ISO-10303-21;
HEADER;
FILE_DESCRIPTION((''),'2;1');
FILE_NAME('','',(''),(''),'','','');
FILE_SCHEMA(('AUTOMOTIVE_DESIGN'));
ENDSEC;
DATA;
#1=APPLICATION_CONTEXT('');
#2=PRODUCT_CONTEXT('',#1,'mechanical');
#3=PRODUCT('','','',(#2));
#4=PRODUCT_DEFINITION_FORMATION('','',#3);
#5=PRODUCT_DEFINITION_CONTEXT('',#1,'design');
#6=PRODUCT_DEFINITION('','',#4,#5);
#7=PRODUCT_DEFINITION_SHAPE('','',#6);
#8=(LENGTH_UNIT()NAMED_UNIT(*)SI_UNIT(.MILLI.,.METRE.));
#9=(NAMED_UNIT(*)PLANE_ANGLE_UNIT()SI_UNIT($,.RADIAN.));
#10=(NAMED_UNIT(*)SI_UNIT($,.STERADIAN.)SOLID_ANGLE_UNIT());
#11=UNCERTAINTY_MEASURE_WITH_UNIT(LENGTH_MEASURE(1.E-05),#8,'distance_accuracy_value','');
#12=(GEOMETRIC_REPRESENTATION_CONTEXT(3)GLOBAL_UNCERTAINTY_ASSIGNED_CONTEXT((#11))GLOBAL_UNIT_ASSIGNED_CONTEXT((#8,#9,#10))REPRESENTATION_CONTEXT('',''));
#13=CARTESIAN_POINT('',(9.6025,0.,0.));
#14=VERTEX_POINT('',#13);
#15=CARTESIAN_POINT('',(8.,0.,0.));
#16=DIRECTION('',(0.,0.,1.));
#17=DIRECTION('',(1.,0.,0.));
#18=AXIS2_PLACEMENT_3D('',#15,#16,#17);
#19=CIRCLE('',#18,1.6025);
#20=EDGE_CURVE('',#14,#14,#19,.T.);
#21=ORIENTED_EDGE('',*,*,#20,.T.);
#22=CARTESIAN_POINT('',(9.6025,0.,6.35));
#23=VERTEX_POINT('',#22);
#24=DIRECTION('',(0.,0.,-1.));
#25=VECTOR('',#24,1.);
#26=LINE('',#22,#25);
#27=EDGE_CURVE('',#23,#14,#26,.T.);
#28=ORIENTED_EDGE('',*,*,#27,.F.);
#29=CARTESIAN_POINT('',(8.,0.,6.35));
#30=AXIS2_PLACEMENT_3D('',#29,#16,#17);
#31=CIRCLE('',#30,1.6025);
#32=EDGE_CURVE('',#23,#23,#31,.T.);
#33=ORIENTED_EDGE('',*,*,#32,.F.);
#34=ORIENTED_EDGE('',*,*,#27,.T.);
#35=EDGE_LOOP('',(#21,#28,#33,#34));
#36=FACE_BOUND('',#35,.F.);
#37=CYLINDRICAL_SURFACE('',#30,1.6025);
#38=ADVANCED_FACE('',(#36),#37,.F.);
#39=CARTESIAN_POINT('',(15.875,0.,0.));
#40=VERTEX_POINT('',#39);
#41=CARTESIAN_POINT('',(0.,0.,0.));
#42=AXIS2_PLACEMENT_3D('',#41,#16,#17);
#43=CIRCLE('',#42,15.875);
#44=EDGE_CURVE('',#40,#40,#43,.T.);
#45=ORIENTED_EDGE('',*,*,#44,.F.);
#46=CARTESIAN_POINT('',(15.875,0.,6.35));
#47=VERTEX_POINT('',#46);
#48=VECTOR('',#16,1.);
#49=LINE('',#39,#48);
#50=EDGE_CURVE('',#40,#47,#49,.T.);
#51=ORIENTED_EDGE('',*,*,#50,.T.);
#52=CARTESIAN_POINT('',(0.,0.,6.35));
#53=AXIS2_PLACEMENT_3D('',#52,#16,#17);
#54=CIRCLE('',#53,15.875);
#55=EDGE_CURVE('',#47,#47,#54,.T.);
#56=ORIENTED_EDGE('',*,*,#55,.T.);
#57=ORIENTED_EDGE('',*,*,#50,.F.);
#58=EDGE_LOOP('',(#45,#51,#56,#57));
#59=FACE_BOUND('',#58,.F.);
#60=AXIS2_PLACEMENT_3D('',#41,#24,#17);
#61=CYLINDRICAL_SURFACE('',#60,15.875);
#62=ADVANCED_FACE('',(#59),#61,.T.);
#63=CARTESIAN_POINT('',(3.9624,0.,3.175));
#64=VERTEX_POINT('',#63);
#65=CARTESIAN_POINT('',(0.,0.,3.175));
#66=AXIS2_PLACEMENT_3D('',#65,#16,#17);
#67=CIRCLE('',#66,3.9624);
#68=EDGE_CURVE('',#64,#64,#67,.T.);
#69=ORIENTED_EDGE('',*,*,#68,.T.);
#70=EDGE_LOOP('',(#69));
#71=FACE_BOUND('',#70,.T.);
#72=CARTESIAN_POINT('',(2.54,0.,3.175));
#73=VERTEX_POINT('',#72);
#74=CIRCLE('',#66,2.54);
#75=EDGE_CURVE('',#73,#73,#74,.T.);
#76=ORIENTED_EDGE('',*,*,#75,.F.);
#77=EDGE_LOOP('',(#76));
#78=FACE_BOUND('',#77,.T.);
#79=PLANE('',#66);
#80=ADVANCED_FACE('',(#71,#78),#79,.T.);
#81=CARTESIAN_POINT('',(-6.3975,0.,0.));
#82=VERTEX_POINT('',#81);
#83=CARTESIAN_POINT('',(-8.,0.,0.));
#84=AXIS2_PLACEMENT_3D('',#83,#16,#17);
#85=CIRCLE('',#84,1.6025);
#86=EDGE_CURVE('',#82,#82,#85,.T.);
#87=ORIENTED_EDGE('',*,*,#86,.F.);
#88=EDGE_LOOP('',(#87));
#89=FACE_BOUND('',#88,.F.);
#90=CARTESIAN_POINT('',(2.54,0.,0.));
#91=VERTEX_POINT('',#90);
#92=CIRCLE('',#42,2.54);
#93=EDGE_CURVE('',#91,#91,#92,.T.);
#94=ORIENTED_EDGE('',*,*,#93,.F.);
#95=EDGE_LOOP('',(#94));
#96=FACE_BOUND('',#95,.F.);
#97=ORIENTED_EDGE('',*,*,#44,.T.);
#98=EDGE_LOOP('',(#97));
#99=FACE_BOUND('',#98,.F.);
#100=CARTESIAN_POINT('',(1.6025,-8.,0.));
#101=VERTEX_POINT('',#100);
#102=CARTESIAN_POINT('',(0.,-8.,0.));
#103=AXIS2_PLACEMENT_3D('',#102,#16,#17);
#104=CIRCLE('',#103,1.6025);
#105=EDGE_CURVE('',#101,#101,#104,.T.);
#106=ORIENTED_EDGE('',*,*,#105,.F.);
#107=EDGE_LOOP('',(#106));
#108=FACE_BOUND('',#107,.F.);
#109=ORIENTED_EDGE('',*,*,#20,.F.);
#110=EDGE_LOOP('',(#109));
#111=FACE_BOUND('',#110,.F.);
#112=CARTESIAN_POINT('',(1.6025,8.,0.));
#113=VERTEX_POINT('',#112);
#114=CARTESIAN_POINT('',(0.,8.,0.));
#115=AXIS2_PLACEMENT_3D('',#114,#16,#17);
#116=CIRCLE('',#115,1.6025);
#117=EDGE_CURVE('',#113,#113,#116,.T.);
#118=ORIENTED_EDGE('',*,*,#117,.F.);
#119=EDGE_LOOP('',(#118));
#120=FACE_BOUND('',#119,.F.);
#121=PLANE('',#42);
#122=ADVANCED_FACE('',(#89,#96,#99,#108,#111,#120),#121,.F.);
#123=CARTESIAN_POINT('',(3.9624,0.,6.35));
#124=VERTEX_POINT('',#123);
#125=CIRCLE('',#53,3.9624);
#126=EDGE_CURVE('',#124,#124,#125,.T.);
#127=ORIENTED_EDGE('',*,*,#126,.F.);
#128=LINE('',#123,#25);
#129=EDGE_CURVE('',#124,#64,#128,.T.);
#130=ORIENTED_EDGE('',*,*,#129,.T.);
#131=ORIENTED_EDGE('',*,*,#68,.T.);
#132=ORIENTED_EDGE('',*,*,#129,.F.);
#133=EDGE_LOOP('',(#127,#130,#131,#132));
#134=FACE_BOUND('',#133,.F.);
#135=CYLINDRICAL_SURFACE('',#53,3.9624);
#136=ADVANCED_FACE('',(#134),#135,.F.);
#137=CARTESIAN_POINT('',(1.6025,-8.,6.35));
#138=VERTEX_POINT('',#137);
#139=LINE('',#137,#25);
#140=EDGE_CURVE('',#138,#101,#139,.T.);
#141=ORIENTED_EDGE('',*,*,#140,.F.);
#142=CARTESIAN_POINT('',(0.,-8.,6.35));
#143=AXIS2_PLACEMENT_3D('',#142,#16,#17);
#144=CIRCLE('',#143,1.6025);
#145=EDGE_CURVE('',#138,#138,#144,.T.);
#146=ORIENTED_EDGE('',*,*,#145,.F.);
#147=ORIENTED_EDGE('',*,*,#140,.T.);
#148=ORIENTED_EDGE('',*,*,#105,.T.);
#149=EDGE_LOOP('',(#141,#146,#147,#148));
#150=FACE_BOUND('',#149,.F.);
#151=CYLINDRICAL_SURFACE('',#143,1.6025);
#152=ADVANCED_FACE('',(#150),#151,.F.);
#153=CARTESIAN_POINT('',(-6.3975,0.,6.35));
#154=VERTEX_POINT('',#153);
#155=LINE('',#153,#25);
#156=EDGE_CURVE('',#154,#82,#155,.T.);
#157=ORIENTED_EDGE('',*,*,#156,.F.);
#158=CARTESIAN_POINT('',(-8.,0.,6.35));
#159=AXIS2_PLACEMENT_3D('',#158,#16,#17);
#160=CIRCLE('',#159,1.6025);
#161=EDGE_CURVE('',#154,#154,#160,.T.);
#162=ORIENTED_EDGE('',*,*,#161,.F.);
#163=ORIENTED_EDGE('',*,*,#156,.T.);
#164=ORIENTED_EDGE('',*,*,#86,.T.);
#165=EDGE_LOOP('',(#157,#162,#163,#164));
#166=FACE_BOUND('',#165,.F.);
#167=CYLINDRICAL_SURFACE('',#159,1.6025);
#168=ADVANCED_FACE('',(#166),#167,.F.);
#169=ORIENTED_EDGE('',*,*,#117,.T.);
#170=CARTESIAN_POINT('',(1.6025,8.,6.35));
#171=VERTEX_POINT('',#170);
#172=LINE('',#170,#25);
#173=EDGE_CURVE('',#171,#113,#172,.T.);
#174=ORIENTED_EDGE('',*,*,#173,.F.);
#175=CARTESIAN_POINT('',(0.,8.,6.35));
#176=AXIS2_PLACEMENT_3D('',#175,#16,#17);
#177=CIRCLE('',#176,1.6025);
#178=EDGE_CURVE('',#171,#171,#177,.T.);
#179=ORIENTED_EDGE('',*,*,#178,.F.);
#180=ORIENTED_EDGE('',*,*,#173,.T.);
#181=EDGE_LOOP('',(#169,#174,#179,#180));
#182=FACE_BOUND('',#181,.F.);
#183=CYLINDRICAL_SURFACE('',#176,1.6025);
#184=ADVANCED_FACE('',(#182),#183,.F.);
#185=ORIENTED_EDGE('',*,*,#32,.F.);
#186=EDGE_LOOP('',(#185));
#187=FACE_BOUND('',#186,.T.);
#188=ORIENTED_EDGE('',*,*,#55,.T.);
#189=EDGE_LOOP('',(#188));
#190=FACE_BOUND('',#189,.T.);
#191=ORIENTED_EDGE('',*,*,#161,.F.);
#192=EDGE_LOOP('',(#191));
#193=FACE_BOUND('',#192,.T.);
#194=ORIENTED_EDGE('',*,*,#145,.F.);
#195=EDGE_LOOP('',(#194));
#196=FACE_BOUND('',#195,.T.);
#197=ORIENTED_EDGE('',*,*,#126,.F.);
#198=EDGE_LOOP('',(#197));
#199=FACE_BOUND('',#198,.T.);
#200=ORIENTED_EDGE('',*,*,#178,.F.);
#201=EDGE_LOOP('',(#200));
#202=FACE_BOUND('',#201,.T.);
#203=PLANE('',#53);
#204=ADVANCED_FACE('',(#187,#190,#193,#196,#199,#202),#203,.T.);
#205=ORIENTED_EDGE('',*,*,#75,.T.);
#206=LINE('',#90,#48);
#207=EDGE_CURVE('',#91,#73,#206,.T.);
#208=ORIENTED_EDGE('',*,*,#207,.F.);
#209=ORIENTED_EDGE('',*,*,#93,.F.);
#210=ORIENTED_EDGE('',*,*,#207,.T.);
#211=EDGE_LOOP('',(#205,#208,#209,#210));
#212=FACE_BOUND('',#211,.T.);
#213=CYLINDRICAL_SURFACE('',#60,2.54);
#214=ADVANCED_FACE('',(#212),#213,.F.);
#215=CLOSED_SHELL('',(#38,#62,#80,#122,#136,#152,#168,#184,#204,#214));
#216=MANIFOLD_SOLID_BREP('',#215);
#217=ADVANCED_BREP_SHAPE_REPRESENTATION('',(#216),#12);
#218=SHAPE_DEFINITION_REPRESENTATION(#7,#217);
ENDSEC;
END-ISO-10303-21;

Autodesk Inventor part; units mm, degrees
ref_plane "YZ Plane" through (0, 0, 0) normal (1, 0, 0) x (0, 1, 0)
ref_plane "XZ Plane" through (0, 0, 0) normal (0, 1, 0) x (-1, 0, 0)
ref_plane "XY Plane" through (0, 0, 0) normal (0, 0, 1) x (1, 0, 0)
sketch "Sketch1" plane through (0, 0, 0) normal (0, 0, 1) x (1, 0, 0)
  circle A0 centre (0, 0) radius 2.54
  circle A1 centre (0, 0) radius 15.875
  dimension "d0" = 5.08
  dimension "d1" = 31.75
extrude "Extrusion1" add sketch "Sketch1" along normal blind 6.35
sketch "Sketch2" plane through (0, 0, 6.35) normal (0, 0, 1) x (1, 0, 0)
  circle A0 centre (0, 0) radius 11
  circle A1 centre (0, 0) radius 3.9625
  circle A2 centre (0, -8) radius 1.6025
  circle A3 centre (8, 0) radius 1.6025
  circle A4 centre (-8, 0) radius 1.6025
  circle A5 centre (0, 8) radius 1.6025
extrude "Extrusion2" cut sketch "Sketch2" against normal blind 6.35 contours A2 | A3 | A4 | A5
sketch "Sketch4" plane through (0, 0, 6.35) normal (0, 0, 1) x (1, 0, 0)
  circle A0 centre (0, 0) radius 2.54 projected
  circle A1 centre (0, 0) radius 15.875 projected
  circle A2 centre (0, 0) radius 3.9624
  dimension "d6" = 7.9248
extrude "Extrusion3" cut sketch "Sketch4" against normal blind 3.175 contours A2
properties part number "end piece for spool"
